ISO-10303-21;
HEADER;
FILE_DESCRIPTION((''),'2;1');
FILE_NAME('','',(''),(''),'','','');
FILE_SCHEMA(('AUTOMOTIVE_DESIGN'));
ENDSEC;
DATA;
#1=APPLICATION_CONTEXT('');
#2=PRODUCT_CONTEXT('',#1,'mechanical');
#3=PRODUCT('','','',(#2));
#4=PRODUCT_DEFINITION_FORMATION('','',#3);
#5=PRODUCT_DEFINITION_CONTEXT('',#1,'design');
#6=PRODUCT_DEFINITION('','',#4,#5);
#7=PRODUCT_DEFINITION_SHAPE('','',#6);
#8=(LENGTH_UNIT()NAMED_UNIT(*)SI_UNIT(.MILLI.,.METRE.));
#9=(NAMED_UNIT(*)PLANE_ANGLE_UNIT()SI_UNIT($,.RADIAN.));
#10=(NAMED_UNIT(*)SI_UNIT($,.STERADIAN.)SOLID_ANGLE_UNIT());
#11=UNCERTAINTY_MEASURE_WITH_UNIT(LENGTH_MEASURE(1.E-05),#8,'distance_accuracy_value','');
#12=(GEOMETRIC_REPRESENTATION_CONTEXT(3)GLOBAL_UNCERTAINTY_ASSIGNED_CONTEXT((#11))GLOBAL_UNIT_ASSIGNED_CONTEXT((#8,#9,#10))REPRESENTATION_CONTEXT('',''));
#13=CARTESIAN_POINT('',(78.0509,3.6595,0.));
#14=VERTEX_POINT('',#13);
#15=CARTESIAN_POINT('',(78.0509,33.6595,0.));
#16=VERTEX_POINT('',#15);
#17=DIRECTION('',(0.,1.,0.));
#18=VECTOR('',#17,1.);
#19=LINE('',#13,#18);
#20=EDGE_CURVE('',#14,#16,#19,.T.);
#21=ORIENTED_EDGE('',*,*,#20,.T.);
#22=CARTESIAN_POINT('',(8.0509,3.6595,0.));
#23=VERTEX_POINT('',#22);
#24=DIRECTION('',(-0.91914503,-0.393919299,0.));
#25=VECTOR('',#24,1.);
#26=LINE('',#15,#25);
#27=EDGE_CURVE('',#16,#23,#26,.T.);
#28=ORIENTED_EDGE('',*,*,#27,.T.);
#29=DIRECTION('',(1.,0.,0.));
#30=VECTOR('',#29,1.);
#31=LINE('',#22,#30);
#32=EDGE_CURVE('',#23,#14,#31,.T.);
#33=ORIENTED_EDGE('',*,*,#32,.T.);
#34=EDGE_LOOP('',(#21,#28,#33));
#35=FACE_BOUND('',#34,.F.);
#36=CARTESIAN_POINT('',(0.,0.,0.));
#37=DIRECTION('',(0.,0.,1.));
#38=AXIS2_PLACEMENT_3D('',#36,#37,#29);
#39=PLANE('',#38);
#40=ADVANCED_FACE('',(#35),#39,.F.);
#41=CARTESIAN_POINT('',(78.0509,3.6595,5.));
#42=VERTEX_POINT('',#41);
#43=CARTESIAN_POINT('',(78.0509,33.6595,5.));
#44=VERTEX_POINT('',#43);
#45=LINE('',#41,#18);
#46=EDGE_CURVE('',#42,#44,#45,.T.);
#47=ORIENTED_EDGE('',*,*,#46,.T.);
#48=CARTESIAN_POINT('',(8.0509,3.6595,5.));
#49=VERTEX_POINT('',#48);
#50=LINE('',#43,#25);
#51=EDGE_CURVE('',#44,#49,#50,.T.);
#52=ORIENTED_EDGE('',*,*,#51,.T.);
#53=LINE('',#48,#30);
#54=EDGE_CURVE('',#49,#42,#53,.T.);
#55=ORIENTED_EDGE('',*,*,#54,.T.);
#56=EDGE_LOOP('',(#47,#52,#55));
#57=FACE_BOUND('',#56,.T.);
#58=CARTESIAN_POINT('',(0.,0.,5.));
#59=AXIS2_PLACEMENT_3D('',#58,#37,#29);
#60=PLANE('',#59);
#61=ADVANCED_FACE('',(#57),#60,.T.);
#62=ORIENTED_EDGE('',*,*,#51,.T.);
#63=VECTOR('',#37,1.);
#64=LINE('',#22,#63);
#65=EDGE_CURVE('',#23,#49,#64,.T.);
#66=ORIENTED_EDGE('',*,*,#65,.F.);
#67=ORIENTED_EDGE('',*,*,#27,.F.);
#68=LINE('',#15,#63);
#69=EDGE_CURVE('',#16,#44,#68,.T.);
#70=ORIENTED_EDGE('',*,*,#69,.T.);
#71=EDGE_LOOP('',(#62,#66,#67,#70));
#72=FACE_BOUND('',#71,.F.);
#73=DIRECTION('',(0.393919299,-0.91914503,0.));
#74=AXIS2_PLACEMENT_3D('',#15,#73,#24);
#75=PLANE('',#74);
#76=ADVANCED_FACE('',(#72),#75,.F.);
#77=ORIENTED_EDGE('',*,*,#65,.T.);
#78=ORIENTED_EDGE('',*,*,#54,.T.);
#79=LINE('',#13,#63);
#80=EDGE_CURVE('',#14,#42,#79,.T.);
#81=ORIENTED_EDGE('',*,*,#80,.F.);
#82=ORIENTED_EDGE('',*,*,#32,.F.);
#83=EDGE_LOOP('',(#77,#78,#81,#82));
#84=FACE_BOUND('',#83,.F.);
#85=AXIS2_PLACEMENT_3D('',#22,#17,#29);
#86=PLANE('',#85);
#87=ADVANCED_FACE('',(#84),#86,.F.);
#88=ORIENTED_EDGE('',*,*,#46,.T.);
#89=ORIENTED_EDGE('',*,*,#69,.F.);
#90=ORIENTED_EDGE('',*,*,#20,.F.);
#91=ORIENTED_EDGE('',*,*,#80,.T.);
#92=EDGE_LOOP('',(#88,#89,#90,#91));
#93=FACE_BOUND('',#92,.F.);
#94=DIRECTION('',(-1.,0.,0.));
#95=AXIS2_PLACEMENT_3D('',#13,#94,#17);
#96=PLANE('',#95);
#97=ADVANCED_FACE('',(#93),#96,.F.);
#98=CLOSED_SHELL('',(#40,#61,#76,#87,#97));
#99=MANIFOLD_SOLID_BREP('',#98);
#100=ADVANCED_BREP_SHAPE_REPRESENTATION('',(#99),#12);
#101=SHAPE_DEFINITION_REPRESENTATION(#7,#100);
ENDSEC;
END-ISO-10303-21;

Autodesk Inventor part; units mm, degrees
ref_plane "YZ Plane" through (0, 0, 0) normal (1, 0, 0) x (0, 1, 0)
ref_plane "XZ Plane" through (0, 0, 0) normal (0, 1, 0) x (-1, 0, 0)
ref_plane "XY Plane" through (0, 0, 0) normal (0, 0, 1) x (1, 0, 0)
sketch "Sketch1" plane through (0, 0, 0) normal (0, 0, 1) x (1, 0, 0)
  line L0 (8.0509, 3.6595) -> (78.0509, 3.6595)
  line L1 (78.0509, 3.6595) -> (78.0509, 33.6595)
  line L2 (78.0509, 33.6595) -> (8.0509, 3.6595)
  point P0 (0, 0)
  dimension "d0" = 70
  dimension "d1" = 30
extrude "Extrusion1" add sketch "Sketch1" along normal blind 5
properties part number "wedge2"
